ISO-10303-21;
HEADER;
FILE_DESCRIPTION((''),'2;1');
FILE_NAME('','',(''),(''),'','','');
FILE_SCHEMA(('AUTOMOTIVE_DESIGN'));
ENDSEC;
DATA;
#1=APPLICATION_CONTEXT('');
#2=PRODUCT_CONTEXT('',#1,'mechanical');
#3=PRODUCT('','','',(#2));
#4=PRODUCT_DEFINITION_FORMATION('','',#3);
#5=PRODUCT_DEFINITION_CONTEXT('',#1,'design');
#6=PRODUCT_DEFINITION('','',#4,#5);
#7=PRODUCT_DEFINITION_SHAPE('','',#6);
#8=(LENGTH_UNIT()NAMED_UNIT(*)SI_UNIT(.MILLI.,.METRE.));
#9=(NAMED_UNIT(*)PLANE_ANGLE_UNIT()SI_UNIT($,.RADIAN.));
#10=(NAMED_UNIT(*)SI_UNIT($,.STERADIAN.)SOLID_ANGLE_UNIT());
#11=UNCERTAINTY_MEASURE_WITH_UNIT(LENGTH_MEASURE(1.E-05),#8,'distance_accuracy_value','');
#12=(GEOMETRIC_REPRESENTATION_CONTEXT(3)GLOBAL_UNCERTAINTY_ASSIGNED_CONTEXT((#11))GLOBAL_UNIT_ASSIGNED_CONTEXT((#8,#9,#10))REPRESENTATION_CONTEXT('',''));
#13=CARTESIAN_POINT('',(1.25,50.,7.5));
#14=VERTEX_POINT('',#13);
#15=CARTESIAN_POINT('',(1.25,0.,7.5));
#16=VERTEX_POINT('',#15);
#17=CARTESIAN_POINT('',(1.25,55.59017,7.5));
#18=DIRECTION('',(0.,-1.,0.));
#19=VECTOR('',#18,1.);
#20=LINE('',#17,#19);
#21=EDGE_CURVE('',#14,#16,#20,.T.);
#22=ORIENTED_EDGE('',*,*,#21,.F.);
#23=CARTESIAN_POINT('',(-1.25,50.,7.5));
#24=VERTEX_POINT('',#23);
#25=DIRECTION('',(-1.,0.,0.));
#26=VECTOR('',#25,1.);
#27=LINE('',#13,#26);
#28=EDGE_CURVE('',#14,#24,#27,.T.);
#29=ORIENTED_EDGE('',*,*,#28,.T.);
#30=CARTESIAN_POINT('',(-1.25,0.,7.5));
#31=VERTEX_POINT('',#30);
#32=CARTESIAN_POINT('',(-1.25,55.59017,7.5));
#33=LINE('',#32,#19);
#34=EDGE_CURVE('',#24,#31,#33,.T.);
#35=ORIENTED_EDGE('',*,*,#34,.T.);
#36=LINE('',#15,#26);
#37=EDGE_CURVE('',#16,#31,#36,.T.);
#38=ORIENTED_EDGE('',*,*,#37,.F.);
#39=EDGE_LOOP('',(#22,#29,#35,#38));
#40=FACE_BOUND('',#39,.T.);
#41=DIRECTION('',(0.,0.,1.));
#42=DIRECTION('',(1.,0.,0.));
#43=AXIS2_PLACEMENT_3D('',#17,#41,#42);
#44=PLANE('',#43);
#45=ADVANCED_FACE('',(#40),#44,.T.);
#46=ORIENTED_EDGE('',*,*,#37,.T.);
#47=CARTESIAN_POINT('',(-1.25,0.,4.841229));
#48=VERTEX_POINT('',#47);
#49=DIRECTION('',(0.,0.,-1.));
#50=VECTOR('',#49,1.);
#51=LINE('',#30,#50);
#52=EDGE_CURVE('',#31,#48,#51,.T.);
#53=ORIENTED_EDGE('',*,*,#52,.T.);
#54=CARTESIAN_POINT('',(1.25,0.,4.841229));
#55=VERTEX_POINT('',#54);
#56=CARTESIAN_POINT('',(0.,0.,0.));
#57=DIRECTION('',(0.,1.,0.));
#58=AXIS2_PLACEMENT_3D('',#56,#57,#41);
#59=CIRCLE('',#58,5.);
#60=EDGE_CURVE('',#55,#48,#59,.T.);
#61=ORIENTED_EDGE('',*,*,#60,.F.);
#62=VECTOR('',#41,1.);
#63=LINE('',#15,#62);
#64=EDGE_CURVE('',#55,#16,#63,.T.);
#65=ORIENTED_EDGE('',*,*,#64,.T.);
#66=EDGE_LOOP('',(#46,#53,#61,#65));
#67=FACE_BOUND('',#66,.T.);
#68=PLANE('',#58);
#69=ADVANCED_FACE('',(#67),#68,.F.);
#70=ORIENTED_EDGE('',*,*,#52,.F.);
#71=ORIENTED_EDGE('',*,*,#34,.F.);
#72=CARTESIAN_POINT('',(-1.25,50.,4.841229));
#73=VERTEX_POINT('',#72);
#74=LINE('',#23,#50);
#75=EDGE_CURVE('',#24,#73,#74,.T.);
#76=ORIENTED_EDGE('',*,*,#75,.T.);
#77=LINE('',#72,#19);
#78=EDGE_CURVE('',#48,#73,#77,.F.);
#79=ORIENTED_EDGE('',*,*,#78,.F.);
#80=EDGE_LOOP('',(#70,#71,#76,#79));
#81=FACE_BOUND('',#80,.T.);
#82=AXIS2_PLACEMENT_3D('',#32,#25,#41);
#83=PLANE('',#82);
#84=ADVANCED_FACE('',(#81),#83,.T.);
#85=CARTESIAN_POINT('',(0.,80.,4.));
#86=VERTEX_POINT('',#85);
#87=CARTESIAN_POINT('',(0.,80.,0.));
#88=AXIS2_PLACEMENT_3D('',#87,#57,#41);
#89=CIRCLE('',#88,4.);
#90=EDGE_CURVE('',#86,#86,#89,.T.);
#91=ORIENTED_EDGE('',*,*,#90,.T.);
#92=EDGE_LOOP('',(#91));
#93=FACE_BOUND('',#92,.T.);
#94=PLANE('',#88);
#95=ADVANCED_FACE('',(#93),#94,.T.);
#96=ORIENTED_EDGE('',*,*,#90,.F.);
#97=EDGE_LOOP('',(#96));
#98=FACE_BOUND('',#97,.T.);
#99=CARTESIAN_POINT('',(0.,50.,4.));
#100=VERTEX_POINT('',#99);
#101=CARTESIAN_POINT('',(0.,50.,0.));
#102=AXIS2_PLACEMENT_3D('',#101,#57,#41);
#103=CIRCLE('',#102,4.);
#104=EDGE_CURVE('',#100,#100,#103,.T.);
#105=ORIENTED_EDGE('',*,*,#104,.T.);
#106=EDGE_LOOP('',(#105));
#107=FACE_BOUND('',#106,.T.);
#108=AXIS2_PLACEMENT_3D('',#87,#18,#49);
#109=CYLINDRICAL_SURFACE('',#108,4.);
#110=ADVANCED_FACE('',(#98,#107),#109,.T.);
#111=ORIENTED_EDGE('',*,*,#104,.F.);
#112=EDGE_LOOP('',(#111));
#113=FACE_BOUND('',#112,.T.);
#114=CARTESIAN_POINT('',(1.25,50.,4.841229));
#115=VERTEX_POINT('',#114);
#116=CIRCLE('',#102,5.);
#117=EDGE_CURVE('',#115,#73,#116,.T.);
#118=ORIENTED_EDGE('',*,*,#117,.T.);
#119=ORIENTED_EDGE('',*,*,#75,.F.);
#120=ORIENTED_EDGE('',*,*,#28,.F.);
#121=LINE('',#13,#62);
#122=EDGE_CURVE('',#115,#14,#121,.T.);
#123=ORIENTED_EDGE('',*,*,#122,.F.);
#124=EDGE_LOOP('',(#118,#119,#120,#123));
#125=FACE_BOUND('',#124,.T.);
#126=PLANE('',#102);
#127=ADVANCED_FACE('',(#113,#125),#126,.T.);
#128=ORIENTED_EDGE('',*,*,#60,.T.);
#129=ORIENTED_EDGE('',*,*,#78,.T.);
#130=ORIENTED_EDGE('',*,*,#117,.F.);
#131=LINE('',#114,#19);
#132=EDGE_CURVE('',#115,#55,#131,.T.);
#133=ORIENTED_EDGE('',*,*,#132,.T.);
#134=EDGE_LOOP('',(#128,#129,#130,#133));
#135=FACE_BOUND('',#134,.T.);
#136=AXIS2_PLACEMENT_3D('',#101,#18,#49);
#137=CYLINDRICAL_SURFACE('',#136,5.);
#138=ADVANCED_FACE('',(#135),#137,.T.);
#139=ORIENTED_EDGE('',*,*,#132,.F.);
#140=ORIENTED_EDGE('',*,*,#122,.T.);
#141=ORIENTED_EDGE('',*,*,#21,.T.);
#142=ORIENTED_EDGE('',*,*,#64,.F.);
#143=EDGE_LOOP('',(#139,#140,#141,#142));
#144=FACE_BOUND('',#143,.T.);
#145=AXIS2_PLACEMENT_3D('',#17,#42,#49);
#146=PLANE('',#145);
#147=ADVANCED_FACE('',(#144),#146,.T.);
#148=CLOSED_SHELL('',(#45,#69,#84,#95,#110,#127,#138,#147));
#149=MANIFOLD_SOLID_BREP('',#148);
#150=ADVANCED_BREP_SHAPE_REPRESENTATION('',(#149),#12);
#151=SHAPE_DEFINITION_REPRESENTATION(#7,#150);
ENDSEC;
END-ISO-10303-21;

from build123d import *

# Parameters (mm, degrees)
SKETCH1_R           = 5
BOSS_EXTRUDE1_DEPTH = 50
SKETCH2_R           = 4
BOSS_EXTRUDE2_DEPTH = 30
SKETCH3_W           = 2.5
SKETCH3_H           = 5
BOSS_EXTRUDE3_DEPTH = 50


with BuildPart() as part:
    # Sketch1 → Boss-Extrude1 (new body)
    with BuildSketch(Plane(origin=(0, 0, 0), x_dir=(1, 0, 0), z_dir=(0, 1, 0))):
        Circle(SKETCH1_R)
    extrude(amount=BOSS_EXTRUDE1_DEPTH)

    # Sketch2 → Boss-Extrude2 (add)
    with BuildSketch(Plane(origin=(0, 50, 0), x_dir=(1, 0, 0), z_dir=(0, 1, 0))):
        Circle(SKETCH2_R)
    extrude(amount=BOSS_EXTRUDE2_DEPTH)

    # Sketch3 → Boss-Extrude3 (add)
    with BuildSketch(Plane.XZ):
        with Locations((0, 5)):
            Rectangle(SKETCH3_W, SKETCH3_H)
    extrude(amount=-BOSS_EXTRUDE3_DEPTH)


solid = part.part
